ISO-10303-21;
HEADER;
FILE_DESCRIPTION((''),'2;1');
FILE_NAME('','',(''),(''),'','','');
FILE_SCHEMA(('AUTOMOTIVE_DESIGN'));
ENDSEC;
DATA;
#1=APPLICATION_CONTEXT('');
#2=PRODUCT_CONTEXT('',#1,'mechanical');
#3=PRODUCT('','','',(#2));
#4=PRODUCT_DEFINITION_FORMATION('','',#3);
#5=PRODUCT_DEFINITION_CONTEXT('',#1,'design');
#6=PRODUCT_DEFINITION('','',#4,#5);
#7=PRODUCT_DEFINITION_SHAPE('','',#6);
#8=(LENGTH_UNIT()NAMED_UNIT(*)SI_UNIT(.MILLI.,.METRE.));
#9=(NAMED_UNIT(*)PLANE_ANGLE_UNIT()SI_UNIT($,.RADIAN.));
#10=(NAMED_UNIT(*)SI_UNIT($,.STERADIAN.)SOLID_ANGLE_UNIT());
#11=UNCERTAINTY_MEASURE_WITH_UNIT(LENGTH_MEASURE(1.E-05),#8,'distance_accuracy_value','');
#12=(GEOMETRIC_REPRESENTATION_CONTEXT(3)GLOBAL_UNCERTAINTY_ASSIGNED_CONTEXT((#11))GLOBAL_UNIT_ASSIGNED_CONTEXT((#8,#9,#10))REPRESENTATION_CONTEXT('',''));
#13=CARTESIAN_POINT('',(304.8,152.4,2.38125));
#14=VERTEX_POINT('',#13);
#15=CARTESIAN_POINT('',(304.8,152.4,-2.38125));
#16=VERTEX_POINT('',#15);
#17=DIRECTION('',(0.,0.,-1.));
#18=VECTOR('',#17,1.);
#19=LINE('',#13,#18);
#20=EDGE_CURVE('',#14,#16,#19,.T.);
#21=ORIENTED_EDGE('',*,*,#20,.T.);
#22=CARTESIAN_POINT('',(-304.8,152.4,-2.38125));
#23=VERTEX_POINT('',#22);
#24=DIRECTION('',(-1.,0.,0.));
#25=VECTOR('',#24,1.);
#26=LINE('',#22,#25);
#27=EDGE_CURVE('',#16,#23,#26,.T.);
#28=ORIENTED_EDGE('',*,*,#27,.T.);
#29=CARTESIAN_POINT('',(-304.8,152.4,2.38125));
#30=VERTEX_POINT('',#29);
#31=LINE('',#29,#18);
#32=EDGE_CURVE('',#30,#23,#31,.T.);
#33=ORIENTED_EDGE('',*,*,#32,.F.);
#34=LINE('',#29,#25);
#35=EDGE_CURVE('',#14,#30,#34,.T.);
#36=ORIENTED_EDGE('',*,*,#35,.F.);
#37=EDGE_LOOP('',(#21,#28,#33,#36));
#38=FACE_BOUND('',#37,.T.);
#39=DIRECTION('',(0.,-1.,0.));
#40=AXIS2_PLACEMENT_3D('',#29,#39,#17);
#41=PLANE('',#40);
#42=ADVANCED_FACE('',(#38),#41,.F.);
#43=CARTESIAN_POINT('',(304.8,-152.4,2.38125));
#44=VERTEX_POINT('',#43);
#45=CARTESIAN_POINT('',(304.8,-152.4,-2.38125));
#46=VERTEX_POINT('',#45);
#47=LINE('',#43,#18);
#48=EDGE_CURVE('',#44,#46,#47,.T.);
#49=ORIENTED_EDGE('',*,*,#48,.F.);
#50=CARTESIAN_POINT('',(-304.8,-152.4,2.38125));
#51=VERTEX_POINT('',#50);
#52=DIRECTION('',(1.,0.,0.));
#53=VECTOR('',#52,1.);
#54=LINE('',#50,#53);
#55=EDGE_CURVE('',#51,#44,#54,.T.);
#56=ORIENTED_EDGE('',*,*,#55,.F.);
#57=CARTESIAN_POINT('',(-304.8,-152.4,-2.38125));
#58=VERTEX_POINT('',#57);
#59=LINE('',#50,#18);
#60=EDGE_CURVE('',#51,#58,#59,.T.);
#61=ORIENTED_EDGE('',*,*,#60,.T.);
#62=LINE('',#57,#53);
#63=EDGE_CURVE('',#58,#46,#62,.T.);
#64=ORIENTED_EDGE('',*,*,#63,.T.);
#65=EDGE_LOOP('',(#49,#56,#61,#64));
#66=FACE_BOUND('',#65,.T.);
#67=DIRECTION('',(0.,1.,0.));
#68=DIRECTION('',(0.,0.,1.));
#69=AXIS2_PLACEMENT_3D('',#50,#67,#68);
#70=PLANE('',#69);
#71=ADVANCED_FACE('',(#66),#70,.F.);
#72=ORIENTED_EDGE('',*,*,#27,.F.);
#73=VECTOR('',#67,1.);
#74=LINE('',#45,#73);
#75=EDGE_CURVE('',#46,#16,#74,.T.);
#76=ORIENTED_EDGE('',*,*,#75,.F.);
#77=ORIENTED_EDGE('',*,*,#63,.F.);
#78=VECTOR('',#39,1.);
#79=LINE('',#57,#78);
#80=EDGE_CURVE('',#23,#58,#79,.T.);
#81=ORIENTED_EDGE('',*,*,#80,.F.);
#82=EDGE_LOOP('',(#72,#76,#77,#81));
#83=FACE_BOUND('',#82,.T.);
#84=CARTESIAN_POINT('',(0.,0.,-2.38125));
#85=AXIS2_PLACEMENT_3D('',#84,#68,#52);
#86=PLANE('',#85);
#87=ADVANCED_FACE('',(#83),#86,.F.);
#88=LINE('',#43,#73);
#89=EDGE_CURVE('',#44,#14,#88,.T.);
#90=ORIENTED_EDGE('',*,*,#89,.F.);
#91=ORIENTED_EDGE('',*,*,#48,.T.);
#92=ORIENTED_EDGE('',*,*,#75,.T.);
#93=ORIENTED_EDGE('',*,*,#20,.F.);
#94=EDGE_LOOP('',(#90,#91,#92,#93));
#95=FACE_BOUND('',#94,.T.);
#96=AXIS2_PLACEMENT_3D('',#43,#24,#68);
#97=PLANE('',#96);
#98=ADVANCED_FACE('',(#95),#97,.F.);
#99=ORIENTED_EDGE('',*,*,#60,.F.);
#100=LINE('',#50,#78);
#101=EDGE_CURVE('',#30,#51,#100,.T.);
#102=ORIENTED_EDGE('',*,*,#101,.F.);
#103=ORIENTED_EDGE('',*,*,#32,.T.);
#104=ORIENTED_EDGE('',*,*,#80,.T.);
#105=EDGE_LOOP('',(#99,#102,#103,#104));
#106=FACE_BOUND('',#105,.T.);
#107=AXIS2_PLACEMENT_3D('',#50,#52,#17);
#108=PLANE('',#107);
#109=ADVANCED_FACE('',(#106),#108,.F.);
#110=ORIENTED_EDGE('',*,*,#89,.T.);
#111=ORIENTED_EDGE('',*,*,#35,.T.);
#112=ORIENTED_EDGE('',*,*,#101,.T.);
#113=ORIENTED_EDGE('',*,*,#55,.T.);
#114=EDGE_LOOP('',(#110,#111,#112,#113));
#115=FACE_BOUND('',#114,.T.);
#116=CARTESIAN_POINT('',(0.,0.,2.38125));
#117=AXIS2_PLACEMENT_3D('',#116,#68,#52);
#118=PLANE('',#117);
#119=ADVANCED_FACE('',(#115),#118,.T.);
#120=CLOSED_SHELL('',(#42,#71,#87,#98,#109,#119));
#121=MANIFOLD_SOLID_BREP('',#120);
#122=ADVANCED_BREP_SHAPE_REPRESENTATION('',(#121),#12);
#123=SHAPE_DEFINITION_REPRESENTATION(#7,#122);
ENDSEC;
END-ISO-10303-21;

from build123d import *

# Parameters (mm, degrees)
SKETCH3_W           = 609.6
SKETCH3_H           = 304.8
BOSS_EXTRUDE1_DEPTH = 2.38125


with BuildPart() as part:
    # Sketch3 → Boss-Extrude1 (new, symmetric)
    with BuildSketch(Plane.XY):
        Rectangle(SKETCH3_W, SKETCH3_H)
    extrude(amount=BOSS_EXTRUDE1_DEPTH, both=True)


solid = part.part
